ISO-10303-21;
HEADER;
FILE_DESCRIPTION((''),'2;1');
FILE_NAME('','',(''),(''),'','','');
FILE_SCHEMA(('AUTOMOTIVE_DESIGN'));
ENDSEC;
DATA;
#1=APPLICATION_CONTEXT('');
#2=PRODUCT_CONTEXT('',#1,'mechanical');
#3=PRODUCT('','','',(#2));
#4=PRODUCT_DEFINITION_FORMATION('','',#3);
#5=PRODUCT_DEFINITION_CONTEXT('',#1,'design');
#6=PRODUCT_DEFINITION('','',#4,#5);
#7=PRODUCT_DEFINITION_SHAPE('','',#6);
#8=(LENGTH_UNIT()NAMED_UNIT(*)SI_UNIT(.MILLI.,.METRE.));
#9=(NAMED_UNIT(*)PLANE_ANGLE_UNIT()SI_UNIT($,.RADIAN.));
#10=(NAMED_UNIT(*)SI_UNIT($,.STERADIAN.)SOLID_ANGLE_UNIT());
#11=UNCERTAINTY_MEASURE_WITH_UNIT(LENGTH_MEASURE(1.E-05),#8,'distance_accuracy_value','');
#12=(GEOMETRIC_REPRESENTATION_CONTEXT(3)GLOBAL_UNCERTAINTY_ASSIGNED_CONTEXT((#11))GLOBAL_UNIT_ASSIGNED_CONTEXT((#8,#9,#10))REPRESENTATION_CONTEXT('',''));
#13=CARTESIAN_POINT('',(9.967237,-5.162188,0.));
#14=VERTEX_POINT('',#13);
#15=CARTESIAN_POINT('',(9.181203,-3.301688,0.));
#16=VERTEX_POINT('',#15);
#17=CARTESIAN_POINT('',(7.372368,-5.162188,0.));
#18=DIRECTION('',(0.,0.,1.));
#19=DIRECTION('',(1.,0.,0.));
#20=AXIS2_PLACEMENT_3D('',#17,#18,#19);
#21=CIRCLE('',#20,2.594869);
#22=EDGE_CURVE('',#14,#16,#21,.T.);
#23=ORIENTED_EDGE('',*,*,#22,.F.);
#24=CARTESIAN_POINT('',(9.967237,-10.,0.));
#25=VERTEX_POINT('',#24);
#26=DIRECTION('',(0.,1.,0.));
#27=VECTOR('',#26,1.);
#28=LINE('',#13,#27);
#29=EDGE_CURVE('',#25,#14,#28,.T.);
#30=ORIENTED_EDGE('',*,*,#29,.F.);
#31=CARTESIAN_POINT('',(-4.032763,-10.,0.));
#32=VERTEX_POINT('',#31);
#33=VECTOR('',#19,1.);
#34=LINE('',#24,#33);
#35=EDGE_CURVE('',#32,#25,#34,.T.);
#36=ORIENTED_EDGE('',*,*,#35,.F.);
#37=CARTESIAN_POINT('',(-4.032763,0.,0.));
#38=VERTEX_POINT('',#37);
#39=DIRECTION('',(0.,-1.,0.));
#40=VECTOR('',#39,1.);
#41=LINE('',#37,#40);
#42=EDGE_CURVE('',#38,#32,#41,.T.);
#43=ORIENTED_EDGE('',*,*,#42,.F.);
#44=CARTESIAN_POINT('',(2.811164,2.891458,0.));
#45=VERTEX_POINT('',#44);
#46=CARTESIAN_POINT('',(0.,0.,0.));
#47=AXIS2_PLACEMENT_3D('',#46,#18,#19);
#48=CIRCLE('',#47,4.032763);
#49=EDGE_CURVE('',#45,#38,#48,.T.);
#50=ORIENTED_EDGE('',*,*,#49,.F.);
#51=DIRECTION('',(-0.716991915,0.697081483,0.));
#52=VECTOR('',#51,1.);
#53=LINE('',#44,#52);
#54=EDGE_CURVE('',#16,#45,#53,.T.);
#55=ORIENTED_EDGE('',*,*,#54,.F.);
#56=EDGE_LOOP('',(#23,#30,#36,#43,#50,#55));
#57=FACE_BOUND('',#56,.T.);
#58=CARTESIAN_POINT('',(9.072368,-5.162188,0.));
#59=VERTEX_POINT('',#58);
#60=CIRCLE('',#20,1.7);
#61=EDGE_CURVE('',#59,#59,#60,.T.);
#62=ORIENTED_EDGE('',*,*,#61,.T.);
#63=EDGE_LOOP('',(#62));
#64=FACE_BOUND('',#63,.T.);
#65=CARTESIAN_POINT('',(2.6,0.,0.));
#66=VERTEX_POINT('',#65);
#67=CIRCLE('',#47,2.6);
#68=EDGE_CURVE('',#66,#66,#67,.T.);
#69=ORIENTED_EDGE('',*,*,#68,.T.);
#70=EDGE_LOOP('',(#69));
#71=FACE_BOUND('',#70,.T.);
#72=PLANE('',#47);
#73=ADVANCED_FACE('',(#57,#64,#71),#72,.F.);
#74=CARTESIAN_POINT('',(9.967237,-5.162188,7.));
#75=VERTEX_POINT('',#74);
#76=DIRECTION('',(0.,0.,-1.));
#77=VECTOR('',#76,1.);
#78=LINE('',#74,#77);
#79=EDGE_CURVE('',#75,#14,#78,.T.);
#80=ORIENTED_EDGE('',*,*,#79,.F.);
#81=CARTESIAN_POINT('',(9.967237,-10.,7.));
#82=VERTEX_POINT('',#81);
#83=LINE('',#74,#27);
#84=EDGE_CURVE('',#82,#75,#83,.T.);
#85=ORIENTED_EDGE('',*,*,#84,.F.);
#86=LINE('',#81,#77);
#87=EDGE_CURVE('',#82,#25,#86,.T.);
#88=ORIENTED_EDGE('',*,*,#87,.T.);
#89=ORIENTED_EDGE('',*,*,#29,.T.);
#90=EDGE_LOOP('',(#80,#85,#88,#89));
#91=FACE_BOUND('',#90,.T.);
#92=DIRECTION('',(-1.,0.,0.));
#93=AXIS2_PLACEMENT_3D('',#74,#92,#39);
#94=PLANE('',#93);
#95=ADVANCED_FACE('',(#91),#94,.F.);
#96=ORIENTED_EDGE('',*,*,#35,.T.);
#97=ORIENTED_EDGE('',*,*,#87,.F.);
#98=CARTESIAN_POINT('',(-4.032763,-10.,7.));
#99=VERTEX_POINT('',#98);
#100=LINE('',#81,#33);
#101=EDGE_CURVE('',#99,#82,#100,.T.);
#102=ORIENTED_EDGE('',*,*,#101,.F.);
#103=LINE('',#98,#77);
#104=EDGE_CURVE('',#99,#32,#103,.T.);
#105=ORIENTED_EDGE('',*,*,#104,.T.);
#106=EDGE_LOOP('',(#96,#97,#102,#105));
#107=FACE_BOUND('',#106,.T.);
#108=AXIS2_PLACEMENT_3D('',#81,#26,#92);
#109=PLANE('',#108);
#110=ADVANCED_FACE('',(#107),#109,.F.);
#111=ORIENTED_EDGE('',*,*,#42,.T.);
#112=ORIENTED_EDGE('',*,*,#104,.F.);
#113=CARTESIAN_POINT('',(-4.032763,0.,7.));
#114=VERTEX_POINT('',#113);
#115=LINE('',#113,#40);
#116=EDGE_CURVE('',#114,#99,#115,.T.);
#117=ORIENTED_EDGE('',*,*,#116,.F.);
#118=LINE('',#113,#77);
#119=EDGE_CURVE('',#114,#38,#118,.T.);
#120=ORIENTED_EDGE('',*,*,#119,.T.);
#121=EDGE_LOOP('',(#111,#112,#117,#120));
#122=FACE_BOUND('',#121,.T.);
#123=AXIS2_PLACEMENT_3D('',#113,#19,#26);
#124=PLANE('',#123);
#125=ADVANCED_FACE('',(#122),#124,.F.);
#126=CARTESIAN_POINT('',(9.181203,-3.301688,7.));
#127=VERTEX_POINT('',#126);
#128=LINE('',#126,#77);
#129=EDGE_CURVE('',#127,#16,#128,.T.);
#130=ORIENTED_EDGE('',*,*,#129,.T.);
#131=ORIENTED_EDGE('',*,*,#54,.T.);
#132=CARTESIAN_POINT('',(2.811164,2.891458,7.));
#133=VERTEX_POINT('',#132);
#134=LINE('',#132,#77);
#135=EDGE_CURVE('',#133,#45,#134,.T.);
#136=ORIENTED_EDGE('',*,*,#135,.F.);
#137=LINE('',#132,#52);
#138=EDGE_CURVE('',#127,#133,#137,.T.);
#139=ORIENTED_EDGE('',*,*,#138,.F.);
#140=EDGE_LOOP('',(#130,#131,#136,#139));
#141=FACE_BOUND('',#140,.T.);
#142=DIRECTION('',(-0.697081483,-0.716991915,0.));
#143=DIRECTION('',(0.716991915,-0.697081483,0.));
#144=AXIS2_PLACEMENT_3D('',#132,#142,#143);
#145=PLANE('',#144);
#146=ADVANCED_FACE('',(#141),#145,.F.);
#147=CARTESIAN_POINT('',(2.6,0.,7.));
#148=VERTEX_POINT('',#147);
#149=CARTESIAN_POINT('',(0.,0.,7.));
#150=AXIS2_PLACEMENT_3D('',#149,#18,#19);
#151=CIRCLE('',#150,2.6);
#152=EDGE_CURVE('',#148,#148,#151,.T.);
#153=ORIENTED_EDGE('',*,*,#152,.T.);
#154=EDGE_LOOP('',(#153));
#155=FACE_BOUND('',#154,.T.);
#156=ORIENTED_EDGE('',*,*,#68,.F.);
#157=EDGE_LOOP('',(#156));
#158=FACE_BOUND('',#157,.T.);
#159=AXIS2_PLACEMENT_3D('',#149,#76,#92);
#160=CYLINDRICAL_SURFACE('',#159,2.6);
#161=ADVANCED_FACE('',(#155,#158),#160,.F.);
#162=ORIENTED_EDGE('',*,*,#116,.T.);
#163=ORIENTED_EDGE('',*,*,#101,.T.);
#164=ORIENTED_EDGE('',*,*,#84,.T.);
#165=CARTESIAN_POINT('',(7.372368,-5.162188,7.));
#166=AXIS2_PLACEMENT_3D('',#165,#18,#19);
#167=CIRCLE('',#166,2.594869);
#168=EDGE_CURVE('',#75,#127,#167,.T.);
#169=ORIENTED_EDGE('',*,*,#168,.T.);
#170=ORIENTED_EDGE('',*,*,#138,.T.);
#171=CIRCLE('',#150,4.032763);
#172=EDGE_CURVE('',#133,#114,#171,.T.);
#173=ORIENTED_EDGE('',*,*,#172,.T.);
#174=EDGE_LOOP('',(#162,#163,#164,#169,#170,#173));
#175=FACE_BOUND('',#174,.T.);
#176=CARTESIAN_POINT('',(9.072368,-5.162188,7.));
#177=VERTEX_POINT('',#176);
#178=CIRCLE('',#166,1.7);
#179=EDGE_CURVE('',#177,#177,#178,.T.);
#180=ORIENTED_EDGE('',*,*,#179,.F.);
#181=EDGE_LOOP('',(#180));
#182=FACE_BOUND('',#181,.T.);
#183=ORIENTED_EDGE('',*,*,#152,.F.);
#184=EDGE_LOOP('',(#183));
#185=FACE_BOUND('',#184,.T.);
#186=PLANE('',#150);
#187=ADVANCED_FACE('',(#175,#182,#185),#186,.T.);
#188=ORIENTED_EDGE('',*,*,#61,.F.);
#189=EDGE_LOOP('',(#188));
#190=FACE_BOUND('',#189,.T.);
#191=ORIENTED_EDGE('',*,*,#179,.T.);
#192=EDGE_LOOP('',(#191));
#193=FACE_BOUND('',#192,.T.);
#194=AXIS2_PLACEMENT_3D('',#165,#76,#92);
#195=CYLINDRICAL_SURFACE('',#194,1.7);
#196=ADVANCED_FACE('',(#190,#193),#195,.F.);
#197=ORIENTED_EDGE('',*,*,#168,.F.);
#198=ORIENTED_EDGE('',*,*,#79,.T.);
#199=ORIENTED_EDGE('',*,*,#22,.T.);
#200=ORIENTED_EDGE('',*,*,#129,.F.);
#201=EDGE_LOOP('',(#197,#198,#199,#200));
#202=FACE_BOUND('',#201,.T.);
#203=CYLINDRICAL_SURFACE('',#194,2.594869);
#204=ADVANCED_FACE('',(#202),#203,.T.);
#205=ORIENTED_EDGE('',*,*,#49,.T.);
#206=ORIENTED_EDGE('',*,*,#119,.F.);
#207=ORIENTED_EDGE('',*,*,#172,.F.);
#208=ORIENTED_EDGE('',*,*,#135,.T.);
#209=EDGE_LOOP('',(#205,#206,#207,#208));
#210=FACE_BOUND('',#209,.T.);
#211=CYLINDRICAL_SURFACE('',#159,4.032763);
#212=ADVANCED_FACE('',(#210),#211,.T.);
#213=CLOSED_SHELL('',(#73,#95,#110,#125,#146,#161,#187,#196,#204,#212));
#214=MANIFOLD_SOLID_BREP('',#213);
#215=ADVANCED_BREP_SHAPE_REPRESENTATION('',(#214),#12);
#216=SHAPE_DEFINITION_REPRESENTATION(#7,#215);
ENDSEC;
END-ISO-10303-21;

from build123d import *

# Parameters (mm, degrees)
CROQUIS1_R              = 2.6
CROQUIS1_R_2            = 1.7
SALIENTE_EXTRUIR1_DEPTH = 7


with BuildPart() as part:
    # Croquis1 → Saliente-Extruir1 (new body)
    with BuildSketch(Plane.XY):
        with BuildLine():
            Line((2.811164445, 2.891458498), (9.18120322, -3.301688153))
            ThreePointArc((9.18120322, -3.301688153), (9.762664554, -4.15232303), (9.967236954, -5.162187927))
            Line((9.967236954, -5.162187927), (9.967236954, -10))
            Line((9.967236954, -10), (-4.032763046, -10))
            Line((-4.032763046, -10), (-4.032763046, 0))
            ThreePointArc((-4.032763046, 0), (-1.569461324, 3.714830944), (2.811164445, 2.891458498))
        make_face()
        Circle(CROQUIS1_R, mode=Mode.SUBTRACT)
        with Locations((7.372368399, -5.162187927)):
            Circle(CROQUIS1_R_2, mode=Mode.SUBTRACT)
    extrude(amount=SALIENTE_EXTRUIR1_DEPTH)


solid = part.part
